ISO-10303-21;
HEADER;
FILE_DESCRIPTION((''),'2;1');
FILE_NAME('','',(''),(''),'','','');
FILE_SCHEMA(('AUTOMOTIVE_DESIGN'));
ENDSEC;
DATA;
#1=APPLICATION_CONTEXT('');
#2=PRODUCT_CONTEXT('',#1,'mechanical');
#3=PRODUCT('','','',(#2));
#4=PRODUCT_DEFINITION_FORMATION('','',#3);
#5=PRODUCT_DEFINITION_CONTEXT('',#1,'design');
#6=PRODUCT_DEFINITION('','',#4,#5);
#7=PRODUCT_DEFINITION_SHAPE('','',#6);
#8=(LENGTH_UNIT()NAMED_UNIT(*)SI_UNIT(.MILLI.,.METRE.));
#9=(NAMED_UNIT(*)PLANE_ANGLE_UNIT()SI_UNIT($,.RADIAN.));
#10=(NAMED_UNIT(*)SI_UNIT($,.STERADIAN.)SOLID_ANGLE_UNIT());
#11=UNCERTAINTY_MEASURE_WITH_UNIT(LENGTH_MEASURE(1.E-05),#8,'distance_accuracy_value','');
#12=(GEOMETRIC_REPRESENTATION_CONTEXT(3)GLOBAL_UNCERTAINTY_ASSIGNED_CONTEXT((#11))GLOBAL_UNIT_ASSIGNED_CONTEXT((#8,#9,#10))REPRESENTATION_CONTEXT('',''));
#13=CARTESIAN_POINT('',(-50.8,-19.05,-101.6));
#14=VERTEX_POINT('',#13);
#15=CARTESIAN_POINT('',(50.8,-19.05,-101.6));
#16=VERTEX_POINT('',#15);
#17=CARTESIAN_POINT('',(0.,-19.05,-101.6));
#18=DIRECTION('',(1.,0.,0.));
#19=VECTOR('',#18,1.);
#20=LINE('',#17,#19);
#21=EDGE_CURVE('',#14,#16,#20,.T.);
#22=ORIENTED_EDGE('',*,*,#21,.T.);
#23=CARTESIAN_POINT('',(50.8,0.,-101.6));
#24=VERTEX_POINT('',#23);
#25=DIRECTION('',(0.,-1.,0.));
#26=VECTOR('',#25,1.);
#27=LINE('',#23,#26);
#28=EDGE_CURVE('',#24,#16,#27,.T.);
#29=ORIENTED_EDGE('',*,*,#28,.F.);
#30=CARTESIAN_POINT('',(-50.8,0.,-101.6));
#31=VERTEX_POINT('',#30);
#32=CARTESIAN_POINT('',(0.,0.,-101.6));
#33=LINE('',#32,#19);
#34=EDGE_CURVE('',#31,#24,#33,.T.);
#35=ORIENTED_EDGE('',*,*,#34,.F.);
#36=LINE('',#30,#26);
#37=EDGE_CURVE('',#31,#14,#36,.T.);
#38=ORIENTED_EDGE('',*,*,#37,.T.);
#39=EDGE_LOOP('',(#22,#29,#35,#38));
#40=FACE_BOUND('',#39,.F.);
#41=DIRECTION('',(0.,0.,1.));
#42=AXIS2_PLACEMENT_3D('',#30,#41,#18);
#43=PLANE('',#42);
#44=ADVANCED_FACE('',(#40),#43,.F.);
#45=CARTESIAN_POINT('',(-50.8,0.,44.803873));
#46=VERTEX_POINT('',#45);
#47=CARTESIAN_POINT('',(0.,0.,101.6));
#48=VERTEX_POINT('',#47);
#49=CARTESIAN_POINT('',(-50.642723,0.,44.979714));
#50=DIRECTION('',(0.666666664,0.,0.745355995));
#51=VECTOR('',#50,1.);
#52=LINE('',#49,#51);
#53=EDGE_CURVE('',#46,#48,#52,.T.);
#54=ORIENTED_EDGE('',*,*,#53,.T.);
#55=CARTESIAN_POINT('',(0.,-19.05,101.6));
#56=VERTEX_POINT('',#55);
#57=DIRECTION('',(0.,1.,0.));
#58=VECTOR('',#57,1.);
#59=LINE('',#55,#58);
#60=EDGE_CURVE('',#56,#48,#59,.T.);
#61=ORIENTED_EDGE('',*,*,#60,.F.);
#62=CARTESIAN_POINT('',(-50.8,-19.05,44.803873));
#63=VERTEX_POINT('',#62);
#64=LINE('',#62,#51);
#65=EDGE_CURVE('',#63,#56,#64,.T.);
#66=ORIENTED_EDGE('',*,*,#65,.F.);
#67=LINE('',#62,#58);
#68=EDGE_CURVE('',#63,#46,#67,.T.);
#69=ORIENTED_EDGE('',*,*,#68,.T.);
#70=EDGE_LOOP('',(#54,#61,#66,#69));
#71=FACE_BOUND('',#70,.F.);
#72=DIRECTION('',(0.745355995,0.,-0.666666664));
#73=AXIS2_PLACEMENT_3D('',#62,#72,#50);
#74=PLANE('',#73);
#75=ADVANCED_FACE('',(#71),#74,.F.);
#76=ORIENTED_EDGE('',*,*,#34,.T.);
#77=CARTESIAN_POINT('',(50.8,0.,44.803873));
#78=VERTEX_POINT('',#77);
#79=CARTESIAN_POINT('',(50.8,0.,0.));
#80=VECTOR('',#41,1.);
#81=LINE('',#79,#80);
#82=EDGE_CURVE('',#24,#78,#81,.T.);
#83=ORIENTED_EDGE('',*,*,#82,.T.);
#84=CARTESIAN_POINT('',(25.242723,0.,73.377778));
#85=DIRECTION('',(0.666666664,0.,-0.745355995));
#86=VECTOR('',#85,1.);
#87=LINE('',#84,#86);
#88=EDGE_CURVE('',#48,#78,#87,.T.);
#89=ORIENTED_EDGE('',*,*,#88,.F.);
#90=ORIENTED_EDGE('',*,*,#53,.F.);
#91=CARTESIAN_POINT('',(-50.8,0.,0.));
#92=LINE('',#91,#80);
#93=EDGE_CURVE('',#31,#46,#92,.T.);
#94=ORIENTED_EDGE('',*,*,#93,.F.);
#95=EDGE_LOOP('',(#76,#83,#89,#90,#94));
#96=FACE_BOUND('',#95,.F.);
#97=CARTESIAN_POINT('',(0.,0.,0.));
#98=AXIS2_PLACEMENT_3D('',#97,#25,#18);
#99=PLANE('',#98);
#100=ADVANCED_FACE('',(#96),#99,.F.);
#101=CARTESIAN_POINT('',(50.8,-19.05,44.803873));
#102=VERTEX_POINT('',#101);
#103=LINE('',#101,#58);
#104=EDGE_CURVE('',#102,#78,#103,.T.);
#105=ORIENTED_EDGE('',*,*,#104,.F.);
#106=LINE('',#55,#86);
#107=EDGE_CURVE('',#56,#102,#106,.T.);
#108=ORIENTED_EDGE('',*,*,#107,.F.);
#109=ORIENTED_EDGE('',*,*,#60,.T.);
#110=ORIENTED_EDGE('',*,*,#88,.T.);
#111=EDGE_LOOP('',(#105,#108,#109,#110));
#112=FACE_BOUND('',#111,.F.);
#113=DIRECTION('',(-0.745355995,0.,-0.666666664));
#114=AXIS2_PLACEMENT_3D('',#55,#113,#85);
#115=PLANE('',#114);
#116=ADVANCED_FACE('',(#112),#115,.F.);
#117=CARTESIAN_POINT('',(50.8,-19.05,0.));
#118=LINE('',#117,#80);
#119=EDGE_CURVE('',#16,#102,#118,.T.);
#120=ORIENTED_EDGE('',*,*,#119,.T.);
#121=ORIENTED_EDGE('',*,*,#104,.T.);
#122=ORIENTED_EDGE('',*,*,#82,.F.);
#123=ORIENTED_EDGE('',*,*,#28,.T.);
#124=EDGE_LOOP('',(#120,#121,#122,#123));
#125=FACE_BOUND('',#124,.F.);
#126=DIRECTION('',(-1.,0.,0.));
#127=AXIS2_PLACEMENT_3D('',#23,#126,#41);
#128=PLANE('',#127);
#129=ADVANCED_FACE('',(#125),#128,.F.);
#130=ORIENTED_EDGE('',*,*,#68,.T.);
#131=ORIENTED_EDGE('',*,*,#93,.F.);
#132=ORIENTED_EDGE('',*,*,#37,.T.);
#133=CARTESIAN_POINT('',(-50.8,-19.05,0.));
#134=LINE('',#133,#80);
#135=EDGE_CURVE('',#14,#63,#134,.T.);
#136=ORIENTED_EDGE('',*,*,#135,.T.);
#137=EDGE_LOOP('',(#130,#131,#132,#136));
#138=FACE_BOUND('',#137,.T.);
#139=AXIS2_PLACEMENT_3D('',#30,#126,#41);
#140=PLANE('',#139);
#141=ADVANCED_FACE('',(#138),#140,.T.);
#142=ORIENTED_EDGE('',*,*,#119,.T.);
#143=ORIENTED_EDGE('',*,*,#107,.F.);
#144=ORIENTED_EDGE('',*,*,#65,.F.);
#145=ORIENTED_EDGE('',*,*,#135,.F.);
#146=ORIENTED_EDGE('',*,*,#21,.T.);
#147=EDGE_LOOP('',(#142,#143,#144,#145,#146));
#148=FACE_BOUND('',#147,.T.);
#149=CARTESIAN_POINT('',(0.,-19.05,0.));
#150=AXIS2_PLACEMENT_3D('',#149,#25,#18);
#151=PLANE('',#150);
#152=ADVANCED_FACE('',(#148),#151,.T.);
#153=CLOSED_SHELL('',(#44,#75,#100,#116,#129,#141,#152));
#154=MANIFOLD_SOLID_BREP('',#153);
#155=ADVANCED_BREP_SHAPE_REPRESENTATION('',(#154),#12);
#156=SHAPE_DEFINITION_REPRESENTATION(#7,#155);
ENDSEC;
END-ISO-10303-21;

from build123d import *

# Parameters (mm, degrees)
F0_W     = 101.6
F0_H     = 203.2
F1_DEPTH = 19.05
F3_DEPTH = 19.051


with BuildPart() as f1:
    # F0 (on Front) → F1 (new body)
    with BuildSketch(Plane.XZ):
        Rectangle(F0_W, F0_H)
    extrude(amount=F1_DEPTH)

    # F2 (on face) → F3 (cut, through all)
    with BuildSketch(Plane.XZ.offset(19.05)):
        Polygon((-50.8, 44.803873), (0, 101.6), (-50.8, 101.6), align=None)
        Polygon((50.8, 101.6), (0, 101.6), (50.8, 44.803873), align=None)
    extrude(amount=-F3_DEPTH, mode=Mode.SUBTRACT)


solid = f1.part
